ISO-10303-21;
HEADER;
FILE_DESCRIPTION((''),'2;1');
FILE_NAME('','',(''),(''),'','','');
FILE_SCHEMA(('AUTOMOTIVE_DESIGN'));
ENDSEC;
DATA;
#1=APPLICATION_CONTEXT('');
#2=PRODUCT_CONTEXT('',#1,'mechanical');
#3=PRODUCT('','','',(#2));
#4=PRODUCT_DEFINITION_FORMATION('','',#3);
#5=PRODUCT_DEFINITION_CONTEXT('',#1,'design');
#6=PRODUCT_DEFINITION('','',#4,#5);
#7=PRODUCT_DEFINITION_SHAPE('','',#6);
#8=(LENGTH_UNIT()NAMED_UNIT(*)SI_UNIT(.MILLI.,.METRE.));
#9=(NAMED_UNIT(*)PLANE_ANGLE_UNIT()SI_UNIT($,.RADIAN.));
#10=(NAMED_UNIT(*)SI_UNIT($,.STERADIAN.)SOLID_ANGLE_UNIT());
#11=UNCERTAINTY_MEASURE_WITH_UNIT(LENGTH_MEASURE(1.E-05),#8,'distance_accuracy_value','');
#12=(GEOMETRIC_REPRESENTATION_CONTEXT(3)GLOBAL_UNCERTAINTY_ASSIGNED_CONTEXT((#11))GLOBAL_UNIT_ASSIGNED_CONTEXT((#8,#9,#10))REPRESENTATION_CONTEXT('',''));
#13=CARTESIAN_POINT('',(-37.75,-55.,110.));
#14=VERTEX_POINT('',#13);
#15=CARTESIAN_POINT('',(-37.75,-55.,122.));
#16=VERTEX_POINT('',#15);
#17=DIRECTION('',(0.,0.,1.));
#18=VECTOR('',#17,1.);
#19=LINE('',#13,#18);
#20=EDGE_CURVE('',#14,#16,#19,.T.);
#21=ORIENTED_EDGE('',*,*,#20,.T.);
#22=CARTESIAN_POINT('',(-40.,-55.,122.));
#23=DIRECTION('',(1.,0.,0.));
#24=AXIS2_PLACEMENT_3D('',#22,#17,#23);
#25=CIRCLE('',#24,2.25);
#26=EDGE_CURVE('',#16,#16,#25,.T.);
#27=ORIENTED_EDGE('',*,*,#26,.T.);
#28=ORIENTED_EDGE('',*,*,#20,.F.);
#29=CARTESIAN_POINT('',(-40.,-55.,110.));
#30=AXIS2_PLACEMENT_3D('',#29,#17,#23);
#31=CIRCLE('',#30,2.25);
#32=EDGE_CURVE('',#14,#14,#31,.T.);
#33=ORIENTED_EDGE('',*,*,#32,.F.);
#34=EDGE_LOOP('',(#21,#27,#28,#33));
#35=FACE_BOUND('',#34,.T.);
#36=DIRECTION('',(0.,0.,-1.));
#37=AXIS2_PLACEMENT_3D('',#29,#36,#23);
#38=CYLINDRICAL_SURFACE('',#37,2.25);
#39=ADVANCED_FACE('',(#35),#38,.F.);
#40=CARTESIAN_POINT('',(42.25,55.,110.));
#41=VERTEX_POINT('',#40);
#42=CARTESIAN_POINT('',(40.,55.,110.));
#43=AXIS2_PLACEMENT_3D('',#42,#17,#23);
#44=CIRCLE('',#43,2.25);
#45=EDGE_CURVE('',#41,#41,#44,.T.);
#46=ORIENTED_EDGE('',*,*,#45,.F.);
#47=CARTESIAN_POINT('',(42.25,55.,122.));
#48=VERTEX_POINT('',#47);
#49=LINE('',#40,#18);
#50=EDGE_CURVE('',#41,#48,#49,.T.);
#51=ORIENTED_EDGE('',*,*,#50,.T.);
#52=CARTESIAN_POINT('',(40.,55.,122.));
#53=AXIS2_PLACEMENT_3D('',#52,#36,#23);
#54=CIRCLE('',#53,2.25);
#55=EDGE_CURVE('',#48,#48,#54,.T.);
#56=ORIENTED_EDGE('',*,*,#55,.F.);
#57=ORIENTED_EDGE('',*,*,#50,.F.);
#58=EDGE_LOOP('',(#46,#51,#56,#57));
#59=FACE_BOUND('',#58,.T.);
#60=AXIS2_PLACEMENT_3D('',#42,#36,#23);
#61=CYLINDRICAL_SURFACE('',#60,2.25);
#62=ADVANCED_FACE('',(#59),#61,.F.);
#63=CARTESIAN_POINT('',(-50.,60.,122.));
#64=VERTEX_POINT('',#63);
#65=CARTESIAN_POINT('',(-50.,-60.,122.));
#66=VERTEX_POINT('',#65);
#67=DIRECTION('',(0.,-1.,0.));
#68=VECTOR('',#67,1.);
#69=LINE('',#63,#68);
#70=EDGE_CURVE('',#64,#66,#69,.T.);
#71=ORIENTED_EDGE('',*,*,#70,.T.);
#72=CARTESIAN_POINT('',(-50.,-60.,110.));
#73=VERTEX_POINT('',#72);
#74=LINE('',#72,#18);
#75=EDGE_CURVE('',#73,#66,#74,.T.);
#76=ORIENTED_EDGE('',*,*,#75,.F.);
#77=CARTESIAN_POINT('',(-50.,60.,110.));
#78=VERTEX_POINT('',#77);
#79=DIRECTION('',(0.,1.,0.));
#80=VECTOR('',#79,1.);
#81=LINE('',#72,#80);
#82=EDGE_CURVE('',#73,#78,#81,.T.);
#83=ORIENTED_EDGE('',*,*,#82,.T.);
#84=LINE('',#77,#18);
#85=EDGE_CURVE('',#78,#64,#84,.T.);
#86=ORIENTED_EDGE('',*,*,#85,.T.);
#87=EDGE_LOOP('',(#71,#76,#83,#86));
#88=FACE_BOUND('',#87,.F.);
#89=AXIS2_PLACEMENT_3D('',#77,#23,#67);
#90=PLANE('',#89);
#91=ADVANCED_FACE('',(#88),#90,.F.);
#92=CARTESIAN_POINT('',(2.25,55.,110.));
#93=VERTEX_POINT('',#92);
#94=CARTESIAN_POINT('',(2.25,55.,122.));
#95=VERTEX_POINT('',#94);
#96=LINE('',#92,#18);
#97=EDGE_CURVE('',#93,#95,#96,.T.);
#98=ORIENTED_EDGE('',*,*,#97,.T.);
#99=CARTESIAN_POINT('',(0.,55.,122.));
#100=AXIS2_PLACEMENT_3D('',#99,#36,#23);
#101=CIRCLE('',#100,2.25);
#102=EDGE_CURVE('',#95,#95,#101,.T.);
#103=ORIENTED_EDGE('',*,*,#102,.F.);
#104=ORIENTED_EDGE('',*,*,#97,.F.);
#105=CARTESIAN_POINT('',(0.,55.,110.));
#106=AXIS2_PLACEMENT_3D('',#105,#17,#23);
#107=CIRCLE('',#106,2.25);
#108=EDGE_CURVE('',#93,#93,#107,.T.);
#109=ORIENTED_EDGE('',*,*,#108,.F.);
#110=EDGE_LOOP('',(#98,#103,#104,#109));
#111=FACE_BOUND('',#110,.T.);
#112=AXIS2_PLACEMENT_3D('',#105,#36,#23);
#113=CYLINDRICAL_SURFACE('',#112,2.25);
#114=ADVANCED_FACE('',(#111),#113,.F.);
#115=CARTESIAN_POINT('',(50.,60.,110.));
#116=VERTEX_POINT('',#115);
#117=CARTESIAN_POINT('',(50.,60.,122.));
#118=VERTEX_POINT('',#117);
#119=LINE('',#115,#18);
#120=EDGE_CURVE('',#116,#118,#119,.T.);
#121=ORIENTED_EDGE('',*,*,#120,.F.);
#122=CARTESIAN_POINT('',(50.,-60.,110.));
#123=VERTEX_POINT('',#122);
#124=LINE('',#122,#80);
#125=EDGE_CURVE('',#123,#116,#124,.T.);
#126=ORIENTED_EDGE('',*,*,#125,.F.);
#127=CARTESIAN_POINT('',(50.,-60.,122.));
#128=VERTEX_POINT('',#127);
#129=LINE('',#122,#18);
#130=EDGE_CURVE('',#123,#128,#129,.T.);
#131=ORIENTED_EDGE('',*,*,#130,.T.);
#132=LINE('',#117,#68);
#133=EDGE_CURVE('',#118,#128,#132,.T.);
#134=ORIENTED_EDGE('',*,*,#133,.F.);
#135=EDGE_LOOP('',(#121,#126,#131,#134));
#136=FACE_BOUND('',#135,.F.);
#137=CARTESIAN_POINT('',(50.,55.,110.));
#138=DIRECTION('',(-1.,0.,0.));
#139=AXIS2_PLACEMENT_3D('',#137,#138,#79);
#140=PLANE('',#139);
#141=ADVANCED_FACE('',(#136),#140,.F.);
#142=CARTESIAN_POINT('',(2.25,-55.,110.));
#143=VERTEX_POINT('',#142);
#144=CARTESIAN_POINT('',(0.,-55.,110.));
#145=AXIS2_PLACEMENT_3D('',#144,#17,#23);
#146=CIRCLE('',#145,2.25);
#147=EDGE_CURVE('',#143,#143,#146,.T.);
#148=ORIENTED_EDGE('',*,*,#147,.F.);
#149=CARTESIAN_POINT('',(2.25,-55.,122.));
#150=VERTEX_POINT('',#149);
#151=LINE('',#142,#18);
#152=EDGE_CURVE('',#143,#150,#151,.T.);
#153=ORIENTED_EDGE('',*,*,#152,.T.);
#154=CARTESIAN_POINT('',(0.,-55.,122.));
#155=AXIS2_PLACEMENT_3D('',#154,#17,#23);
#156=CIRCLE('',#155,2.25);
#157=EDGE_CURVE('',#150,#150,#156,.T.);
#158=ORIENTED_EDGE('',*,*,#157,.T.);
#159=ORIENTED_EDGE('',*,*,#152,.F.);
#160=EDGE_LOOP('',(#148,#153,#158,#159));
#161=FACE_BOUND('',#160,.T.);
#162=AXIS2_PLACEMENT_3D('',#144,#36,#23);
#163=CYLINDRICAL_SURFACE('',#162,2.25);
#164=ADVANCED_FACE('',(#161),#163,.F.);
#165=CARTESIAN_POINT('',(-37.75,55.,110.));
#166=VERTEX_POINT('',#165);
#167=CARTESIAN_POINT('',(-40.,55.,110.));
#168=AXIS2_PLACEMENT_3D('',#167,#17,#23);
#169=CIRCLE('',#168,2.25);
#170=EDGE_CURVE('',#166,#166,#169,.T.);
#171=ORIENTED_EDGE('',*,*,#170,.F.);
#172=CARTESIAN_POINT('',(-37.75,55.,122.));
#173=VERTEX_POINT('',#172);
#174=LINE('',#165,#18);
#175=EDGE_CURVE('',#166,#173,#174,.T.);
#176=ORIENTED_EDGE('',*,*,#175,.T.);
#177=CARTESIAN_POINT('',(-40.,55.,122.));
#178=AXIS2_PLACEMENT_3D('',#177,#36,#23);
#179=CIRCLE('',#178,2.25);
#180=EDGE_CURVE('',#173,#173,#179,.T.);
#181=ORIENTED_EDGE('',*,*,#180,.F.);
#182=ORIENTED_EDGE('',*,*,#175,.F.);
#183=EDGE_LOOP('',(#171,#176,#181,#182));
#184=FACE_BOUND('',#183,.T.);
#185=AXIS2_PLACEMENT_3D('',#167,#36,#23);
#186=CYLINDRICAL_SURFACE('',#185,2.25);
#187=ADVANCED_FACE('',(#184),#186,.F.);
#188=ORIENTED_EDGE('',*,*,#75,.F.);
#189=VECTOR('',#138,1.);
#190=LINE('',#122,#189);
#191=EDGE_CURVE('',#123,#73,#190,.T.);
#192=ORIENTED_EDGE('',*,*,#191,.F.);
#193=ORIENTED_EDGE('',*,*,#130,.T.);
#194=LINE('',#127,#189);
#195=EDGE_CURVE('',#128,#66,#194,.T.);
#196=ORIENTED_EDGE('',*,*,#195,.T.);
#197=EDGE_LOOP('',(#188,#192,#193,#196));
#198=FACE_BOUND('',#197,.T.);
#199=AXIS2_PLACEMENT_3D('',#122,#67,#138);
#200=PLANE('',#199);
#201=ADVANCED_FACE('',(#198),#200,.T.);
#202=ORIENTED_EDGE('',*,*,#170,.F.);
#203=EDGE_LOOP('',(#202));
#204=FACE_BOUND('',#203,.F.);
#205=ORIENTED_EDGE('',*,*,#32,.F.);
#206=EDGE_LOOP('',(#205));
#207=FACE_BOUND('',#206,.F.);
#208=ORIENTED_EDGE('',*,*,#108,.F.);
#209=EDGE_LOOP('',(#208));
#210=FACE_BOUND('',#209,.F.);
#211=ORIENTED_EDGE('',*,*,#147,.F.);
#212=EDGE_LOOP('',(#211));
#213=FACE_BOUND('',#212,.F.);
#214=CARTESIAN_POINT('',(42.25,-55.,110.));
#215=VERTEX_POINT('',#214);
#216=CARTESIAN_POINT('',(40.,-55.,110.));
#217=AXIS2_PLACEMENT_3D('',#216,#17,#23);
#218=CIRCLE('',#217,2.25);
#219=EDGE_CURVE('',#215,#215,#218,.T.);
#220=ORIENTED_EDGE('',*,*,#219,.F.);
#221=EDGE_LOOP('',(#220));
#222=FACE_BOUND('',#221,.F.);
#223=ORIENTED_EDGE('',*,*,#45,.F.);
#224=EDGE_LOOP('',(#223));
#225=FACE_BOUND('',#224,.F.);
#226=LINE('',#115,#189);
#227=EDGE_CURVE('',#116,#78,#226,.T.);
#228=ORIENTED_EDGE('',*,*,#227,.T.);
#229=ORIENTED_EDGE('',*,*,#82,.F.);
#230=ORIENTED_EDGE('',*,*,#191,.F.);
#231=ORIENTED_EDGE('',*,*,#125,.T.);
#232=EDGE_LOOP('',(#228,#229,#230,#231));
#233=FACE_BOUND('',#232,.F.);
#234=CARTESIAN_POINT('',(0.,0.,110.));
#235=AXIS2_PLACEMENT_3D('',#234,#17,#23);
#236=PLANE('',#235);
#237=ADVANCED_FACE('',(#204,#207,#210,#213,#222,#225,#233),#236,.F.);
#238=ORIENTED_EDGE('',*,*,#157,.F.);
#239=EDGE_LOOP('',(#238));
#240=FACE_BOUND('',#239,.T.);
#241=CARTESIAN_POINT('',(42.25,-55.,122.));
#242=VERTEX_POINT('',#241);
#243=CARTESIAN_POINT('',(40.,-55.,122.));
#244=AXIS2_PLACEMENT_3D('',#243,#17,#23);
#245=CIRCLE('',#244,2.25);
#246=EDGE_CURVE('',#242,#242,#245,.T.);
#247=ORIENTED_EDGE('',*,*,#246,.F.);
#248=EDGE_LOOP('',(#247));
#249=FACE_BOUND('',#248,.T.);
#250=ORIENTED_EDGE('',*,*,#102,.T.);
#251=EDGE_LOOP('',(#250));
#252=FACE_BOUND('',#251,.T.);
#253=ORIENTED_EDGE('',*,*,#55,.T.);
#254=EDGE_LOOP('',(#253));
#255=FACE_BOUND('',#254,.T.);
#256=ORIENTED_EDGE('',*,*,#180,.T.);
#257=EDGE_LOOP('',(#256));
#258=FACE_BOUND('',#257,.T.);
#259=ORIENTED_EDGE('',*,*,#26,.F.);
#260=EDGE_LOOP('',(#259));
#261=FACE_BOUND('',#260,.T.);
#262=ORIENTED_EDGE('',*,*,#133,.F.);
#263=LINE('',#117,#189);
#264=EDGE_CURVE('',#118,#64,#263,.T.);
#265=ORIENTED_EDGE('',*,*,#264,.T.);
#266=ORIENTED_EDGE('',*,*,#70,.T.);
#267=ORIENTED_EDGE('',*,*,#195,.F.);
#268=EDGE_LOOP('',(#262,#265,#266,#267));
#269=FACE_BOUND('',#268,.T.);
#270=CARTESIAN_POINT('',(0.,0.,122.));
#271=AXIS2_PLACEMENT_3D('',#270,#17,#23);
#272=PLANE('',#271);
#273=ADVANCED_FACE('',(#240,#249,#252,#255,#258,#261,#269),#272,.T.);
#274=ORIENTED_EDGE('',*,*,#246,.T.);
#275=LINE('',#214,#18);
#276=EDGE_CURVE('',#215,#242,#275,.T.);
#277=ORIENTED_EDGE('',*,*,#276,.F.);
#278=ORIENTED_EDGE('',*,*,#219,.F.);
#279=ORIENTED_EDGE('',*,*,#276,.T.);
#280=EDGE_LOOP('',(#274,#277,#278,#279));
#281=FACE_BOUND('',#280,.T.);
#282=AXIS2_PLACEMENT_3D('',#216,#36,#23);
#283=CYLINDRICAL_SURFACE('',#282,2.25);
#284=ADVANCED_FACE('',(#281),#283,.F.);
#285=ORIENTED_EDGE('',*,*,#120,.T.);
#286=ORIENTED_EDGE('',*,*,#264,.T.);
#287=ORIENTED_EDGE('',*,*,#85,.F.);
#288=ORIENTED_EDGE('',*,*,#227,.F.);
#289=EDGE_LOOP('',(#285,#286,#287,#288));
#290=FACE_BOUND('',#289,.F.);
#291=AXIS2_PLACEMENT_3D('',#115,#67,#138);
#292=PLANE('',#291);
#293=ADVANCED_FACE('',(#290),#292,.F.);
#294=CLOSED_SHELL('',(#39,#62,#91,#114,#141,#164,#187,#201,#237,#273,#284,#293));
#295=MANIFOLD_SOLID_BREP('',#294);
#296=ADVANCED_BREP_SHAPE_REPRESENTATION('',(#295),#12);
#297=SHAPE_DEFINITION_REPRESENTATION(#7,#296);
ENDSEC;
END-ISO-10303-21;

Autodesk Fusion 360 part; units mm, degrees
sketch "Sketch1" plane through (0, 0, 0) normal (0, 0, 1) x (1, 0, 0)
  line L0 (30, 30) -> (-30, 30)
  line L1 (-30, 30) -> (-30, -30)
  line L2 (-30, -30) -> (30, -30)
  line L3 (30, -30) -> (30, 30)
  line L4 (30, 30) -> (-30, -30) construction
  line L5 (-30, 30) -> (30, -30) construction
  circle A0 centre (-30, 30) radius 2.8
  circle A1 centre (30, 30) radius 2.8
  circle A2 centre (-30, -30) radius 2.8
  circle A3 centre (30, -30) radius 2.8
  line L6 (50, 50) -> (-50, 50)
  line L7 (-50, 50) -> (-50, -50)
  line L8 (-50, -50) -> (50, -50)
  line L9 (50, -50) -> (50, 50)
  line L10 (50, 50) -> (-50, -50) construction
  line L11 (-50, 50) -> (50, -50) construction
  line L12 (50, 50) -> (-50, 50)
  line L13 (-50, 50) -> (-50, 60)
  line L14 (-50, 60) -> (50, 60)
  line L15 (50, 60) -> (50, 50)
  line L16 (50, -50) -> (-50, -50)
  line L17 (-50, -50) -> (-50, -60)
  line L18 (-50, -60) -> (50, -60)
  line L19 (50, -60) -> (50, -50)
  circle A4 centre (-30, 30) radius 2
  circle A5 centre (30, 30) radius 2
  circle A6 centre (-30, -30) radius 2
  circle A7 centre (30, -30) radius 2
  dimension "d1" = 60
  dimension "d2" = 60
  dimension "d3" = 5.6
  dimension "d6" = 60
  dimension "d7" = -60
  dimension "d8" = 100
  dimension "d9" = 100
  dimension "d12" = 100
  dimension "d13" = 10
  dimension "d14" = 100
  dimension "d15" = 10
  dimension "d26" = 4
extrude "Extrude1" add sketch "Sketch1" along normal blind 10 contours L0 L1 L2 L3 A0 A1 A2 A3 | L6 L7 L8 L9 L12 L16 makes body 1
extrude "Extrude2" add sketch "Sketch1" along normal blind 110 contours L6 L12 L13 L14 L15 | L8 L16 L17 L18 L19 bodies 1
sketch "Sketch2" plane through (0, 0, 110) normal (0, 0, 1) x (1, 0, 0)
  line L0 (50, 60) -> (-50, 60)
  line L1 (-50, 60) -> (-50, 50)
  line L2 (-50, 50) -> (50, 50)
  line L3 (50, 50) -> (50, 60)
  circle A0 centre (-40, 55) radius 2.8
  line L4 (-50, 55) -> (50, 55)
  circle A1 centre (0, 55) radius 2.8
  circle A2 centre (40, 55) radius 2.8
  circle A3 centre (-40, -55) radius 2.8
  circle A4 centre (0, -55) radius 2.8
  circle A5 centre (40, -55) radius 2.8
  line L5 (-50, 60) -> (50, 60)
  line L6 (50, 60) -> (50, -60)
  line L7 (50, -60) -> (-50, -60)
  line L8 (-50, -60) -> (-50, 60)
  circle A6 centre (-40, 55) radius 2.25
  circle A7 centre (0, 55) radius 2.25
  circle A8 centre (40, 55) radius 2.25
  circle A9 centre (-40, -55) radius 2.25
  circle A10 centre (0, -55) radius 2.25
  circle A11 centre (40, -55) radius 2.25
  dimension "d18" = 5.6
  dimension "d19" = 10
  dimension "d22" = 40
  dimension "d23" = -110
  dimension "d30" = 120
  dimension "d31" = 100
  dimension "d32" = 4.5
extrude "Extrude3" cut sketch "Sketch2" against normal blind 8.1 contours L4 A2 A8 | L4 A2 A8 | A0 L4 A6 | A0 L4 A6 | L4 A8 | L4 A8 | L4 A6 | L4 A6 | L4 A1 A7 | L4 A1 A7 | L4 A7 | L4 A7 | A3 | A4 | A5 | A9 | A10 | A11 bodies 1
extrude "Extrude4" add sketch "Sketch1" against normal blind 1.9 from surface at 10 contours L0 L1 A0 A4 | L0 L1 A0 A4 | L0 L3 A1 A5 | L0 L3 A1 A5 | L1 L2 A2 A6 | L1 L2 A2 A6 | L2 L3 A3 A7 | L2 L3 A3 A7 bodies 1
extrude "Extrude5" add sketch "Sketch2" along normal blind 12 separate body contours L0 L1 L3 A0 L4 A1 A2 L5 L6 L8 | L1 L2 L3 A0 L4 A1 A2 L6 L8 | L2 L6 L7 L8 | L4 A2 A8 | L4 A2 A8 | A0 L4 A6 | A0 L4 A6 | L4 A1 A7 | L4 A1 A7 | A3 | A4 | A5 makes body 2
chamfer "Chamfer1" distance 5 angle 45 4 edges at (-50, 0, 0) (0, 60, 0) (50, 0, 0) (0, -60, 0) on bodies 1
hidden bodies 1
